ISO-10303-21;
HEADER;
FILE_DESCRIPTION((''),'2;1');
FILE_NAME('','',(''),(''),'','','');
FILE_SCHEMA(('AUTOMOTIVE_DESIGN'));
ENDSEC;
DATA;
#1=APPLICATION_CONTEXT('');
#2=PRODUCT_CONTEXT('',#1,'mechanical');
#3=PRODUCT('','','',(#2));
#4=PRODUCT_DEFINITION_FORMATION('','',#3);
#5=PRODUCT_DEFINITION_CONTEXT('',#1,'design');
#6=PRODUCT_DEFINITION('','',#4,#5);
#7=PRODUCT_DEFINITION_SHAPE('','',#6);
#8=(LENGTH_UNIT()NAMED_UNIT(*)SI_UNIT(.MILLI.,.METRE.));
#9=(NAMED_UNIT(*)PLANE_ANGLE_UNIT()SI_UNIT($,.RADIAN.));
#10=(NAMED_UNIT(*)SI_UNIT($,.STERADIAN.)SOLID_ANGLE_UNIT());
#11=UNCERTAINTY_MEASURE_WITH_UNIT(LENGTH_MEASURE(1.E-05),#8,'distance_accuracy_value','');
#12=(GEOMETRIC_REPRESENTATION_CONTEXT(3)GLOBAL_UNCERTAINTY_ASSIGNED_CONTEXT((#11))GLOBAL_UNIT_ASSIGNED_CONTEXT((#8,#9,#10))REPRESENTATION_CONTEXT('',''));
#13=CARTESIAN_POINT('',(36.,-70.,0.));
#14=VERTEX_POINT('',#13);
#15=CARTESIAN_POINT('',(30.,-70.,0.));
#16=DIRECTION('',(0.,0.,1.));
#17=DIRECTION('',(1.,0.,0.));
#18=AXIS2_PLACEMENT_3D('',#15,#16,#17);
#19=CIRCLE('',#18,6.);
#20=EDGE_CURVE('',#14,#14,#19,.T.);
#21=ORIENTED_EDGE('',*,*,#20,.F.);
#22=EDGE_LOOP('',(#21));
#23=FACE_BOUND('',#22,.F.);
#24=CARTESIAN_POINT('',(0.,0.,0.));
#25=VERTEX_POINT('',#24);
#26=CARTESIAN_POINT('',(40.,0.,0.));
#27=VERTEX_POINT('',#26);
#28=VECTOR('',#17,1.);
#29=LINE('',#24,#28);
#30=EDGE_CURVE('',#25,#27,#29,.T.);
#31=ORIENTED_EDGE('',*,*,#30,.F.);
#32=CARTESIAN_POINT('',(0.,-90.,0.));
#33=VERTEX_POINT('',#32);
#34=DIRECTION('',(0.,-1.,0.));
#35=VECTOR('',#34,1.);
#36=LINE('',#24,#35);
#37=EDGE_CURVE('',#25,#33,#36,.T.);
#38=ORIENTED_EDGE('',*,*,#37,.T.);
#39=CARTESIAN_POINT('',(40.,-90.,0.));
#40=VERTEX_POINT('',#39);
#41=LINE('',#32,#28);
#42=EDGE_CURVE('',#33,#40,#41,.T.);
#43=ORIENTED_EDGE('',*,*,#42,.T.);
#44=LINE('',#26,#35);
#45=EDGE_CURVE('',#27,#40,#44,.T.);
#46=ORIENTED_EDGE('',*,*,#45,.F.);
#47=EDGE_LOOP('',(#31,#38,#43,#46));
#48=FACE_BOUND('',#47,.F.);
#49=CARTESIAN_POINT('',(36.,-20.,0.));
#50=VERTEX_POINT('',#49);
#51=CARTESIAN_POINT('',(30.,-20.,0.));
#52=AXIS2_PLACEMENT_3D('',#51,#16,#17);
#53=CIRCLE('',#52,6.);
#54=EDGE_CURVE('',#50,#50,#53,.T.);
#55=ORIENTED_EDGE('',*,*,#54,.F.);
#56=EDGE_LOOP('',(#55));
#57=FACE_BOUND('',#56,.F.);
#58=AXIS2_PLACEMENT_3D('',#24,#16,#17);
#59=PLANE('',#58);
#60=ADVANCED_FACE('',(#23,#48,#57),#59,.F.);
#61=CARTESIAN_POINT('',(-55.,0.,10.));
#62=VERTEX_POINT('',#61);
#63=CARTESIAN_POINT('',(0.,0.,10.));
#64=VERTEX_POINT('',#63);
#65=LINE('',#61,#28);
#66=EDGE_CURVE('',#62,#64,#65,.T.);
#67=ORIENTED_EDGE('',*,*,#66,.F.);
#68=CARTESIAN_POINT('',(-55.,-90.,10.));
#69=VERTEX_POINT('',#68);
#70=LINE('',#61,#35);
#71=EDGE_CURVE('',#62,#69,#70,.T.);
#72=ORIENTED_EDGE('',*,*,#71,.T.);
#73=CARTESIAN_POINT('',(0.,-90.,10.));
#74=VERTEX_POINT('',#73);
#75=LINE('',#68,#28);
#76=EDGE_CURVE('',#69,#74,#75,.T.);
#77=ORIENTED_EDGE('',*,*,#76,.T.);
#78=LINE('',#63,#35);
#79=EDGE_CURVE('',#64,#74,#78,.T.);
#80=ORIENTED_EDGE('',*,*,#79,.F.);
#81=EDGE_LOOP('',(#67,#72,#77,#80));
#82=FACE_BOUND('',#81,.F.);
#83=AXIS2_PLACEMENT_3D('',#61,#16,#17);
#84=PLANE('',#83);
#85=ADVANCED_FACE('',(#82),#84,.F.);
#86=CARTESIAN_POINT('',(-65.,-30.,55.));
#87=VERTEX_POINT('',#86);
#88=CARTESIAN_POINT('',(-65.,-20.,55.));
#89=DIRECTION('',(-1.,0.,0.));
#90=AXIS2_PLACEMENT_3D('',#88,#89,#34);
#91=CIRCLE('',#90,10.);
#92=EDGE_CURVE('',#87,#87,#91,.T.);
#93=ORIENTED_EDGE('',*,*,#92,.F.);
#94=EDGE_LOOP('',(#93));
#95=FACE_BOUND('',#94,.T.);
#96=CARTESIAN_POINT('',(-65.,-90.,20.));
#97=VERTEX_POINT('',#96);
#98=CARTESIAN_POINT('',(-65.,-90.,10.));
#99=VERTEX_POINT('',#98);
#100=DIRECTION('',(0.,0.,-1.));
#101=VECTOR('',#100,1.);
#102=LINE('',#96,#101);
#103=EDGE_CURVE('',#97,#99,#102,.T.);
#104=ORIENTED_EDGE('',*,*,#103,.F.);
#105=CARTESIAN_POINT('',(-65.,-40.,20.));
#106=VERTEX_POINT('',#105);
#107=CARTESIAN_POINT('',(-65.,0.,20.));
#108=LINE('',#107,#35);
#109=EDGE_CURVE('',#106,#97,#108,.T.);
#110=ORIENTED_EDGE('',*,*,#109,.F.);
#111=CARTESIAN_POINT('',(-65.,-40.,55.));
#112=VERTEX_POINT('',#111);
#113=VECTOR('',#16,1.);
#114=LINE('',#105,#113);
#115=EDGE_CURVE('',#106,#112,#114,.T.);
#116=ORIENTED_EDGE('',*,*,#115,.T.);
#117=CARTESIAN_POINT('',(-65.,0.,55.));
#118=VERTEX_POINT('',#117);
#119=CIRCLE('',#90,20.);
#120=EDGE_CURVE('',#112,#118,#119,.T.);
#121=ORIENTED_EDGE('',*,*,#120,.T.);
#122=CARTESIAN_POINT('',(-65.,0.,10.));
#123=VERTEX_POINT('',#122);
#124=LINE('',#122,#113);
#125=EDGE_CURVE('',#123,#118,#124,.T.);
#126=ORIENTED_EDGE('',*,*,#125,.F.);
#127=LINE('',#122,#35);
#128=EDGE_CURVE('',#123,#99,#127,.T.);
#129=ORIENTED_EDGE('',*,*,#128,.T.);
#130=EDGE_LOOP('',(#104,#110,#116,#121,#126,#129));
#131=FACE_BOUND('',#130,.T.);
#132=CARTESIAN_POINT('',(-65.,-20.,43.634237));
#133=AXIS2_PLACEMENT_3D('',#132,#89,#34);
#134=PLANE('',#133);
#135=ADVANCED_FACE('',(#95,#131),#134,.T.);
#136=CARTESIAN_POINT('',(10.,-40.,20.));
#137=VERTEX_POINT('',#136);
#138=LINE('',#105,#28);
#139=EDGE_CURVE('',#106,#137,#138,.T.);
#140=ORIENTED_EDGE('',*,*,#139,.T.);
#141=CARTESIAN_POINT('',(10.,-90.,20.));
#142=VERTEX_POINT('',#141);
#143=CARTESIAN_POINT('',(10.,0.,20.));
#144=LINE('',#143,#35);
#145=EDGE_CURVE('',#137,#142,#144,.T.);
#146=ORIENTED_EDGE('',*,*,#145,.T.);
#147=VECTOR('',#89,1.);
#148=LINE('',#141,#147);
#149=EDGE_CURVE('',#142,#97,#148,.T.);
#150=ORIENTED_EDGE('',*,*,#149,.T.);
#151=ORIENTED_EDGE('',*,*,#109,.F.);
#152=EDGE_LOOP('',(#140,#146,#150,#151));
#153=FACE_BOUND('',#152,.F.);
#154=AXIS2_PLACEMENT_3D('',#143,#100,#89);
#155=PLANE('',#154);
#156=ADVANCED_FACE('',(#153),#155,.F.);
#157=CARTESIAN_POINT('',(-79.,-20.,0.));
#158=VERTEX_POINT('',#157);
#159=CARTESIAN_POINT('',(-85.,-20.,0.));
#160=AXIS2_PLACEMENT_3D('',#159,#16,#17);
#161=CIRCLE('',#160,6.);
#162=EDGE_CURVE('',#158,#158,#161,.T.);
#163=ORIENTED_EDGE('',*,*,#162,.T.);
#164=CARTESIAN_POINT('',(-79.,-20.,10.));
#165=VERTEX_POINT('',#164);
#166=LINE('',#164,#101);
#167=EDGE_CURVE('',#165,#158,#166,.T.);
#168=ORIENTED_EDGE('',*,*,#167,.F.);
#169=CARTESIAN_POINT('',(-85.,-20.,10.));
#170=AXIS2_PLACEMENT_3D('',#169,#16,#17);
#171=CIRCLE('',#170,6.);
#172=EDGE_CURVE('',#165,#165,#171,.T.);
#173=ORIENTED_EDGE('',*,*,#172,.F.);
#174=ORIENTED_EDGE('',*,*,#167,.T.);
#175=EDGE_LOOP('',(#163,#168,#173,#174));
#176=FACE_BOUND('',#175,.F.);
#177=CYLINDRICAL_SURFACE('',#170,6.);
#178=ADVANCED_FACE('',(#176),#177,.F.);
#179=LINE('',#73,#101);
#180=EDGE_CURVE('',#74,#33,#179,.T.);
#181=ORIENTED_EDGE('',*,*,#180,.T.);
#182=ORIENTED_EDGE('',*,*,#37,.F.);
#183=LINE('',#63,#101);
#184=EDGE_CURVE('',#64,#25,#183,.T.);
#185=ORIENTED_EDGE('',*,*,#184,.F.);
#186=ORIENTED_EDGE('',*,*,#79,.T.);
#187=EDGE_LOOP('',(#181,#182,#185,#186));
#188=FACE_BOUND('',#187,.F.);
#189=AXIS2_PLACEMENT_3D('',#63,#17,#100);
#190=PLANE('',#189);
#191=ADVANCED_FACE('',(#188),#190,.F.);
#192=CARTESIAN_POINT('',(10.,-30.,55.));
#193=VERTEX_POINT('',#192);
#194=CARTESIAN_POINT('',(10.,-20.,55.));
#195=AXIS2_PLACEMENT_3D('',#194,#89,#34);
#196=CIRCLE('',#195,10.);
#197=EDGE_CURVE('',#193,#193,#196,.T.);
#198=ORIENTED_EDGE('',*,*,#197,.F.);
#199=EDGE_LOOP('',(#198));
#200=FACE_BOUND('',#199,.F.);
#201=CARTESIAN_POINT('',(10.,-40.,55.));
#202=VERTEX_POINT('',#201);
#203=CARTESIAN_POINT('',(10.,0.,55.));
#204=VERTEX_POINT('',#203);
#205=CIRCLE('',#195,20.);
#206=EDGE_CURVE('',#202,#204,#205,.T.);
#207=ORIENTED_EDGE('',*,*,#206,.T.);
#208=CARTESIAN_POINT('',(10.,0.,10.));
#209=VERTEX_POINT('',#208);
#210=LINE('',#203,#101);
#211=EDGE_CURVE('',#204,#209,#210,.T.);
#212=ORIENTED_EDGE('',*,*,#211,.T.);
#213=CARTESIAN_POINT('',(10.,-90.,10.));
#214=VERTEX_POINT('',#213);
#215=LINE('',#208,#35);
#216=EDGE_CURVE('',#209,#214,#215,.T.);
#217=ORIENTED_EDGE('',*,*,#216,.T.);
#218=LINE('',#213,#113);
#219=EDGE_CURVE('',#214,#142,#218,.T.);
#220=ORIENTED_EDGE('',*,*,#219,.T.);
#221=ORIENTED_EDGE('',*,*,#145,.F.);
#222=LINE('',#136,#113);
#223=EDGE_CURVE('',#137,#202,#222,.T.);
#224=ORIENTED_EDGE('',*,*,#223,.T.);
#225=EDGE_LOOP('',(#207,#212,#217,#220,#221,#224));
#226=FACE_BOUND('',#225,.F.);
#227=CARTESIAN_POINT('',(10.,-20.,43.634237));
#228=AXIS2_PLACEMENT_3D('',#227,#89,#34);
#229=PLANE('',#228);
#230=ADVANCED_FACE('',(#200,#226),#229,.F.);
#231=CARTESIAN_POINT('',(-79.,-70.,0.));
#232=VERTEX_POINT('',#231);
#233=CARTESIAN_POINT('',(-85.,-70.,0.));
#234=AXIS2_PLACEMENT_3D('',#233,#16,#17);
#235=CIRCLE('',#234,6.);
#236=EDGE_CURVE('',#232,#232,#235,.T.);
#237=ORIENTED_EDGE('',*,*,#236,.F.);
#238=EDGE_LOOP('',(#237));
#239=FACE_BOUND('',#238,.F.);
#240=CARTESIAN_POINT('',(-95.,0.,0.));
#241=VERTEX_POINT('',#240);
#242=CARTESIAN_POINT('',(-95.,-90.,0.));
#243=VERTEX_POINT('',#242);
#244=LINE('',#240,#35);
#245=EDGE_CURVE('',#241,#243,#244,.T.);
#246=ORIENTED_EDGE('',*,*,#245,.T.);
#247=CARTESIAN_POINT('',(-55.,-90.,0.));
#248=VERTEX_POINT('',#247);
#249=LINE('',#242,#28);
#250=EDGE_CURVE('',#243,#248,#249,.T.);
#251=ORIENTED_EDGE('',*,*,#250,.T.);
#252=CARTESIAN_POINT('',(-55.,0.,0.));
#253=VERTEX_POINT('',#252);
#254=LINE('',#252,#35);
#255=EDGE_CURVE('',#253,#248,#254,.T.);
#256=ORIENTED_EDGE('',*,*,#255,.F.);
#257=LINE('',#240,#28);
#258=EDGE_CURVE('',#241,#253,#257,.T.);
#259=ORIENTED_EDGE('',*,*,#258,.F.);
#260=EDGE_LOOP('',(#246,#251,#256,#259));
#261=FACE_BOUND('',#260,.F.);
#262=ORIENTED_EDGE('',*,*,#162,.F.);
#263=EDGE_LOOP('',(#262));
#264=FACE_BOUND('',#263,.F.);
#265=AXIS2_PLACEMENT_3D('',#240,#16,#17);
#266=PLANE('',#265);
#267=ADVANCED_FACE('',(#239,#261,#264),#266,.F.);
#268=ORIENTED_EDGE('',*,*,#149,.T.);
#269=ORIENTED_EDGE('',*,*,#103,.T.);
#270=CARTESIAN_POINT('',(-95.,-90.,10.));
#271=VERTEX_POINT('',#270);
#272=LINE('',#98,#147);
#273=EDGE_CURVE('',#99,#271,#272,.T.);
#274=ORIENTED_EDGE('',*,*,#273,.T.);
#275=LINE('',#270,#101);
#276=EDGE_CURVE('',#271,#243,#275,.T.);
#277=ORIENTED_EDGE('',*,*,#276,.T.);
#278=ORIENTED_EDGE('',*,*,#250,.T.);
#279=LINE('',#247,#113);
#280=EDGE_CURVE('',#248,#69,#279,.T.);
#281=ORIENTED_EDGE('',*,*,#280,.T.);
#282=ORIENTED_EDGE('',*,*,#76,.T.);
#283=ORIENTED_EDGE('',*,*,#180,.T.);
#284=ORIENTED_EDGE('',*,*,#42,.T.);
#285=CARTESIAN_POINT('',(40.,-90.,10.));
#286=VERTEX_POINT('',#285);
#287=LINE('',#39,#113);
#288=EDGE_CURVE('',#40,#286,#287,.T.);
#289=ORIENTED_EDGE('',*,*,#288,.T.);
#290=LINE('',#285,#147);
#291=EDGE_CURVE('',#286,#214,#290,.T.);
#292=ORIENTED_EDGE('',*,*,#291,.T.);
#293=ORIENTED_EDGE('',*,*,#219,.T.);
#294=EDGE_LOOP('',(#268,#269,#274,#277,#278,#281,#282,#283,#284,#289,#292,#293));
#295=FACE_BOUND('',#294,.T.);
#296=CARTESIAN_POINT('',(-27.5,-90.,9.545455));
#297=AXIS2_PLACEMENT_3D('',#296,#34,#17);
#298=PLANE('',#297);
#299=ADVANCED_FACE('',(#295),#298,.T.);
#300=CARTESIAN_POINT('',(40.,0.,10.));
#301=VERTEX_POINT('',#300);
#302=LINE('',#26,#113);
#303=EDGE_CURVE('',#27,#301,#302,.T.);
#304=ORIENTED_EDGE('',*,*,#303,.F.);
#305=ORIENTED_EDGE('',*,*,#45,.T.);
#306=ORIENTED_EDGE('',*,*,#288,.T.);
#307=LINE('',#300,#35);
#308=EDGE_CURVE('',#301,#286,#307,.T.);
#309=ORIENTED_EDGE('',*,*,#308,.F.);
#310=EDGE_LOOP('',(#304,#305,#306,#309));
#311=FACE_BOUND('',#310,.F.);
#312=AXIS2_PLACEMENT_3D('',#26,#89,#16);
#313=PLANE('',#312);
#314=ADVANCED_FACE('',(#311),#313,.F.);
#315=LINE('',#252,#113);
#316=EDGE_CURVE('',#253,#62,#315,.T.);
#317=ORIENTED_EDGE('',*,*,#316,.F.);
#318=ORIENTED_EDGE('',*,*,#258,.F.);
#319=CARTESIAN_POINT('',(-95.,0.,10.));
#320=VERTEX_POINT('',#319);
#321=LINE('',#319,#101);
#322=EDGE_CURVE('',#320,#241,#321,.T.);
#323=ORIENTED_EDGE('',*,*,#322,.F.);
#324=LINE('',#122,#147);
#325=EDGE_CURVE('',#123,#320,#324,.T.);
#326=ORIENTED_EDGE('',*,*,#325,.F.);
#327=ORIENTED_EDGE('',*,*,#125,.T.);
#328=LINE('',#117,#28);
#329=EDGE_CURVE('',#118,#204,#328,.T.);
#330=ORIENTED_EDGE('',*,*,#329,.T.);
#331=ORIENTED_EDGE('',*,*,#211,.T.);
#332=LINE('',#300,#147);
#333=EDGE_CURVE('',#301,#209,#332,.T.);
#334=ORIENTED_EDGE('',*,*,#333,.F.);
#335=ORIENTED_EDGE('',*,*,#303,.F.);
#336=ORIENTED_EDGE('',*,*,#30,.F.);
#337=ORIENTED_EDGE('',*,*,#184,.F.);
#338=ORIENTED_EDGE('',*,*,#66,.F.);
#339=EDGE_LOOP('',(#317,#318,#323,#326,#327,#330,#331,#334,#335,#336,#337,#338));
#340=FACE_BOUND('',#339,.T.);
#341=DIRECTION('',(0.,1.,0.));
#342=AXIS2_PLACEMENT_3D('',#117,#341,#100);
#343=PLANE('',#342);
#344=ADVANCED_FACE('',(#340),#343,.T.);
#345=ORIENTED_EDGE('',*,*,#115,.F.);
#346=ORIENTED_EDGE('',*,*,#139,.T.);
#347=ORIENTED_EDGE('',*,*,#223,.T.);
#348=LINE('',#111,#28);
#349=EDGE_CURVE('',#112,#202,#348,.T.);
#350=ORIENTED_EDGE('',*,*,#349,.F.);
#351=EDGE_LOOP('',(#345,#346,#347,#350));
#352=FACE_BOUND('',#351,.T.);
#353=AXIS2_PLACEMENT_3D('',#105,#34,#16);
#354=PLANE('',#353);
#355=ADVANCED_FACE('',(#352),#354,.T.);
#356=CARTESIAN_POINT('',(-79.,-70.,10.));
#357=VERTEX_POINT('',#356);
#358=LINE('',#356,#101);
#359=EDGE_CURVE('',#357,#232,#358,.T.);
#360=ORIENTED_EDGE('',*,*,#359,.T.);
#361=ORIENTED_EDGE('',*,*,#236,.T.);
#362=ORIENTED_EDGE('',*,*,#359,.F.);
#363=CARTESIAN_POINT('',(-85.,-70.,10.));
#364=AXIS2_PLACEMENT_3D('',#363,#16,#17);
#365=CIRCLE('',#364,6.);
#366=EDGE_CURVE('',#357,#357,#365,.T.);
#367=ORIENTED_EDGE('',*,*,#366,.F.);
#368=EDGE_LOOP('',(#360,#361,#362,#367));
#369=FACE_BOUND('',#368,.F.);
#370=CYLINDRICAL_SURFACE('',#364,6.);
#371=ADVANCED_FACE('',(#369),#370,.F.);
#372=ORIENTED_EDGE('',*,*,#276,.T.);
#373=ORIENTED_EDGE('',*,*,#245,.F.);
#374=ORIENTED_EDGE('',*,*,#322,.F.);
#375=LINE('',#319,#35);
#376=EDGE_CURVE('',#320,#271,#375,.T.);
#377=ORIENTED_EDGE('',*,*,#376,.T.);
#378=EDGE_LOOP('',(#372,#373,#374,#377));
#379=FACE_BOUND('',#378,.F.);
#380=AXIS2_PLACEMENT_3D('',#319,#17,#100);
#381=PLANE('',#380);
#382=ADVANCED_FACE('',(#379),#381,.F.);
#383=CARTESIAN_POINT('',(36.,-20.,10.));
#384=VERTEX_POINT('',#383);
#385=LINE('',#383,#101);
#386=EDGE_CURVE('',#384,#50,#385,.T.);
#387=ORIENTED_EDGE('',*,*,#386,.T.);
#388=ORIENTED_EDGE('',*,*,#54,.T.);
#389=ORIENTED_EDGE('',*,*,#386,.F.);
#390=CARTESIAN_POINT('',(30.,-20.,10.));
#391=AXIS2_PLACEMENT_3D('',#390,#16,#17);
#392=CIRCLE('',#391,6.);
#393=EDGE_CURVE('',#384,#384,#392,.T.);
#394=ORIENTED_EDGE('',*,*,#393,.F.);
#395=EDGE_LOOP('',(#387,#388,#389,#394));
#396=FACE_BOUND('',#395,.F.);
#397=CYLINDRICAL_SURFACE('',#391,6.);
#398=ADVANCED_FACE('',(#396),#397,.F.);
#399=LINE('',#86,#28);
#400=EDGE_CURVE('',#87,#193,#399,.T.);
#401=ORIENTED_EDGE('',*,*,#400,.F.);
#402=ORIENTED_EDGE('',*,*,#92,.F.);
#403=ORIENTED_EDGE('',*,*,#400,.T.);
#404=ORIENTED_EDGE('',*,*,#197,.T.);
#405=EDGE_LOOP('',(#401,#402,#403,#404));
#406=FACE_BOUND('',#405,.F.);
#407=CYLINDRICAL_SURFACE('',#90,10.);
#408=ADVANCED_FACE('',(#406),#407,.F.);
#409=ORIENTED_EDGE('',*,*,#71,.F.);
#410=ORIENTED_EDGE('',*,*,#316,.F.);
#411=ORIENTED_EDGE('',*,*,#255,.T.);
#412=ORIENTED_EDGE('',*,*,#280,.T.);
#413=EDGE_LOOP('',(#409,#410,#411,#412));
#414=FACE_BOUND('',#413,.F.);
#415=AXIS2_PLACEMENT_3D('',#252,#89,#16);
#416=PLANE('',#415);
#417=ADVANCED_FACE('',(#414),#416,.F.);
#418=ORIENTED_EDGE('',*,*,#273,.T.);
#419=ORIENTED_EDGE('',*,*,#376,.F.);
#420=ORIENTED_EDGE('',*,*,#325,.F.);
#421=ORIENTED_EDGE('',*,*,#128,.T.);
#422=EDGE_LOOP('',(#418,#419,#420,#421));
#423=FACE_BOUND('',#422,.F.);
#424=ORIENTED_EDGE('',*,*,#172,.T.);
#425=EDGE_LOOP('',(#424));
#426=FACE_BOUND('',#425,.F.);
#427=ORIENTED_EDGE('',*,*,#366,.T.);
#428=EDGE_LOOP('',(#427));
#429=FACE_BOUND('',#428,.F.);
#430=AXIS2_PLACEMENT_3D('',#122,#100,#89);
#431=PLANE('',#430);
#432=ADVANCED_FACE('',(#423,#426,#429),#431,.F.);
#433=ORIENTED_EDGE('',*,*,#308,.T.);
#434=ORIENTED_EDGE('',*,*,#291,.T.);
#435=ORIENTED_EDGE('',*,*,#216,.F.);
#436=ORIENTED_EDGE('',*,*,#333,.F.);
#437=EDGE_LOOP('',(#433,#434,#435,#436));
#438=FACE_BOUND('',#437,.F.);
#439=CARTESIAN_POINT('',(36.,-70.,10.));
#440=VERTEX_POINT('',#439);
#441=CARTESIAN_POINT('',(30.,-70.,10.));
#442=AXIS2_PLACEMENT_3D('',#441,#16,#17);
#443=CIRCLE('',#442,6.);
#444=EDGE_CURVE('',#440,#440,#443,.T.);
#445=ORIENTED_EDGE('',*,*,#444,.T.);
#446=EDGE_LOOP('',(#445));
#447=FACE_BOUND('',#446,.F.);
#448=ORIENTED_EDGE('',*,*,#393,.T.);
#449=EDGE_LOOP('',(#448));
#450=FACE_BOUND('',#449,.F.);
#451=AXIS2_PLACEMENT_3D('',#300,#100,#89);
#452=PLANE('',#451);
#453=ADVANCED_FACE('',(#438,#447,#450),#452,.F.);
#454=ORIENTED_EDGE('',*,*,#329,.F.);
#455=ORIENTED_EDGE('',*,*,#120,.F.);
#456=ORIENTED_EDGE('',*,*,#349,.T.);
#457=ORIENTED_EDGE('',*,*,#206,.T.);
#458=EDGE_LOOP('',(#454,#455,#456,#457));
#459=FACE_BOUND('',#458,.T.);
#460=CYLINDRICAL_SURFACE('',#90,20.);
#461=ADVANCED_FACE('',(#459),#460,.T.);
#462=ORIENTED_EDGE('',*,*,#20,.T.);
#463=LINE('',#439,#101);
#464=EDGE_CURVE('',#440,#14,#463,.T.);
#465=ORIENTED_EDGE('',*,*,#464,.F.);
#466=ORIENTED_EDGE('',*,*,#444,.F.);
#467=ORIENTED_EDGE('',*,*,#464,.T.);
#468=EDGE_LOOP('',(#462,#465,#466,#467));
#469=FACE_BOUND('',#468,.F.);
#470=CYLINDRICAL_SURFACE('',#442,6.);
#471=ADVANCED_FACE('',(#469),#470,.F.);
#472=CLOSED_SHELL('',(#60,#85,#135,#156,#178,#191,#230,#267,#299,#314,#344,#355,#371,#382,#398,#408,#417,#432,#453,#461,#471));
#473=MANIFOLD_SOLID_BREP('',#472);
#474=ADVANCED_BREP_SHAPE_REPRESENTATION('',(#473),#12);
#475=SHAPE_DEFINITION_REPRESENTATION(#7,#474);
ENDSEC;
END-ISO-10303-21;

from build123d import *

# Parameters (mm, degrees)
F1_DEPTH  = 90
F2_R      = 6
F3_DEPTH  = 10
F4_R      = 6
F5_DEPTH  = 10
F6_R      = 6
F8_DEPTH  = 10
F7_R      = 6
F9_DEPTH  = 10
F10_R     = 10
F11_DEPTH = 75


with BuildPart() as f1:
    # F0 (on Front) → F1 (new body)
    with BuildSketch(Plane.XZ):
        Polygon((-95, 10), (-95, 0), (-55, 0), (-55, 10), (0, 10), (0, 0), (40, 0), (40, 10), (10, 10), (10, 20), (-65, 20), (-65, 10), align=None)
    extrude(amount=F1_DEPTH)

    # F2 (on face) → F3 (cut)
    with BuildSketch(Plane.XY.offset(10)):
        with Locations((-85, -70)):
            Circle(F2_R)
    extrude(amount=-F3_DEPTH, mode=Mode.SUBTRACT)

    # F4 (on face) → F5 (cut)
    with BuildSketch(Plane.XY.offset(10)):
        with Locations((30, -70)):
            Circle(F4_R)
    extrude(amount=-F5_DEPTH, mode=Mode.SUBTRACT)

    # F6 (on face) → F8 (cut)
    with BuildSketch(Plane.XY.offset(10)):
        with Locations((-85, -20)):
            Circle(F6_R)
    extrude(amount=-F8_DEPTH, mode=Mode.SUBTRACT)

    # F7 (on face) → F9 (cut)
    with BuildSketch(Plane.XY.offset(10)):
        with Locations((30, -20)):
            Circle(F7_R)
    extrude(amount=-F9_DEPTH, mode=Mode.SUBTRACT)

    # F10 (on face) → F11 (join, through all)
    with BuildSketch(Plane(origin=(-65, 0, 0), x_dir=(0, -1, 0), z_dir=(-1, 0, 0))):
        with BuildLine():
            Line((0, 55), (0, 20))
            Line((0, 20), (40, 20))
            Line((40, 20), (40, 55))
            ThreePointArc((40, 55), (20, 75), (0, 55))
        make_face()
        with Locations((20, 55)):
            Circle(F10_R, mode=Mode.SUBTRACT)
    extrude(amount=-F11_DEPTH)


solid = f1.part
